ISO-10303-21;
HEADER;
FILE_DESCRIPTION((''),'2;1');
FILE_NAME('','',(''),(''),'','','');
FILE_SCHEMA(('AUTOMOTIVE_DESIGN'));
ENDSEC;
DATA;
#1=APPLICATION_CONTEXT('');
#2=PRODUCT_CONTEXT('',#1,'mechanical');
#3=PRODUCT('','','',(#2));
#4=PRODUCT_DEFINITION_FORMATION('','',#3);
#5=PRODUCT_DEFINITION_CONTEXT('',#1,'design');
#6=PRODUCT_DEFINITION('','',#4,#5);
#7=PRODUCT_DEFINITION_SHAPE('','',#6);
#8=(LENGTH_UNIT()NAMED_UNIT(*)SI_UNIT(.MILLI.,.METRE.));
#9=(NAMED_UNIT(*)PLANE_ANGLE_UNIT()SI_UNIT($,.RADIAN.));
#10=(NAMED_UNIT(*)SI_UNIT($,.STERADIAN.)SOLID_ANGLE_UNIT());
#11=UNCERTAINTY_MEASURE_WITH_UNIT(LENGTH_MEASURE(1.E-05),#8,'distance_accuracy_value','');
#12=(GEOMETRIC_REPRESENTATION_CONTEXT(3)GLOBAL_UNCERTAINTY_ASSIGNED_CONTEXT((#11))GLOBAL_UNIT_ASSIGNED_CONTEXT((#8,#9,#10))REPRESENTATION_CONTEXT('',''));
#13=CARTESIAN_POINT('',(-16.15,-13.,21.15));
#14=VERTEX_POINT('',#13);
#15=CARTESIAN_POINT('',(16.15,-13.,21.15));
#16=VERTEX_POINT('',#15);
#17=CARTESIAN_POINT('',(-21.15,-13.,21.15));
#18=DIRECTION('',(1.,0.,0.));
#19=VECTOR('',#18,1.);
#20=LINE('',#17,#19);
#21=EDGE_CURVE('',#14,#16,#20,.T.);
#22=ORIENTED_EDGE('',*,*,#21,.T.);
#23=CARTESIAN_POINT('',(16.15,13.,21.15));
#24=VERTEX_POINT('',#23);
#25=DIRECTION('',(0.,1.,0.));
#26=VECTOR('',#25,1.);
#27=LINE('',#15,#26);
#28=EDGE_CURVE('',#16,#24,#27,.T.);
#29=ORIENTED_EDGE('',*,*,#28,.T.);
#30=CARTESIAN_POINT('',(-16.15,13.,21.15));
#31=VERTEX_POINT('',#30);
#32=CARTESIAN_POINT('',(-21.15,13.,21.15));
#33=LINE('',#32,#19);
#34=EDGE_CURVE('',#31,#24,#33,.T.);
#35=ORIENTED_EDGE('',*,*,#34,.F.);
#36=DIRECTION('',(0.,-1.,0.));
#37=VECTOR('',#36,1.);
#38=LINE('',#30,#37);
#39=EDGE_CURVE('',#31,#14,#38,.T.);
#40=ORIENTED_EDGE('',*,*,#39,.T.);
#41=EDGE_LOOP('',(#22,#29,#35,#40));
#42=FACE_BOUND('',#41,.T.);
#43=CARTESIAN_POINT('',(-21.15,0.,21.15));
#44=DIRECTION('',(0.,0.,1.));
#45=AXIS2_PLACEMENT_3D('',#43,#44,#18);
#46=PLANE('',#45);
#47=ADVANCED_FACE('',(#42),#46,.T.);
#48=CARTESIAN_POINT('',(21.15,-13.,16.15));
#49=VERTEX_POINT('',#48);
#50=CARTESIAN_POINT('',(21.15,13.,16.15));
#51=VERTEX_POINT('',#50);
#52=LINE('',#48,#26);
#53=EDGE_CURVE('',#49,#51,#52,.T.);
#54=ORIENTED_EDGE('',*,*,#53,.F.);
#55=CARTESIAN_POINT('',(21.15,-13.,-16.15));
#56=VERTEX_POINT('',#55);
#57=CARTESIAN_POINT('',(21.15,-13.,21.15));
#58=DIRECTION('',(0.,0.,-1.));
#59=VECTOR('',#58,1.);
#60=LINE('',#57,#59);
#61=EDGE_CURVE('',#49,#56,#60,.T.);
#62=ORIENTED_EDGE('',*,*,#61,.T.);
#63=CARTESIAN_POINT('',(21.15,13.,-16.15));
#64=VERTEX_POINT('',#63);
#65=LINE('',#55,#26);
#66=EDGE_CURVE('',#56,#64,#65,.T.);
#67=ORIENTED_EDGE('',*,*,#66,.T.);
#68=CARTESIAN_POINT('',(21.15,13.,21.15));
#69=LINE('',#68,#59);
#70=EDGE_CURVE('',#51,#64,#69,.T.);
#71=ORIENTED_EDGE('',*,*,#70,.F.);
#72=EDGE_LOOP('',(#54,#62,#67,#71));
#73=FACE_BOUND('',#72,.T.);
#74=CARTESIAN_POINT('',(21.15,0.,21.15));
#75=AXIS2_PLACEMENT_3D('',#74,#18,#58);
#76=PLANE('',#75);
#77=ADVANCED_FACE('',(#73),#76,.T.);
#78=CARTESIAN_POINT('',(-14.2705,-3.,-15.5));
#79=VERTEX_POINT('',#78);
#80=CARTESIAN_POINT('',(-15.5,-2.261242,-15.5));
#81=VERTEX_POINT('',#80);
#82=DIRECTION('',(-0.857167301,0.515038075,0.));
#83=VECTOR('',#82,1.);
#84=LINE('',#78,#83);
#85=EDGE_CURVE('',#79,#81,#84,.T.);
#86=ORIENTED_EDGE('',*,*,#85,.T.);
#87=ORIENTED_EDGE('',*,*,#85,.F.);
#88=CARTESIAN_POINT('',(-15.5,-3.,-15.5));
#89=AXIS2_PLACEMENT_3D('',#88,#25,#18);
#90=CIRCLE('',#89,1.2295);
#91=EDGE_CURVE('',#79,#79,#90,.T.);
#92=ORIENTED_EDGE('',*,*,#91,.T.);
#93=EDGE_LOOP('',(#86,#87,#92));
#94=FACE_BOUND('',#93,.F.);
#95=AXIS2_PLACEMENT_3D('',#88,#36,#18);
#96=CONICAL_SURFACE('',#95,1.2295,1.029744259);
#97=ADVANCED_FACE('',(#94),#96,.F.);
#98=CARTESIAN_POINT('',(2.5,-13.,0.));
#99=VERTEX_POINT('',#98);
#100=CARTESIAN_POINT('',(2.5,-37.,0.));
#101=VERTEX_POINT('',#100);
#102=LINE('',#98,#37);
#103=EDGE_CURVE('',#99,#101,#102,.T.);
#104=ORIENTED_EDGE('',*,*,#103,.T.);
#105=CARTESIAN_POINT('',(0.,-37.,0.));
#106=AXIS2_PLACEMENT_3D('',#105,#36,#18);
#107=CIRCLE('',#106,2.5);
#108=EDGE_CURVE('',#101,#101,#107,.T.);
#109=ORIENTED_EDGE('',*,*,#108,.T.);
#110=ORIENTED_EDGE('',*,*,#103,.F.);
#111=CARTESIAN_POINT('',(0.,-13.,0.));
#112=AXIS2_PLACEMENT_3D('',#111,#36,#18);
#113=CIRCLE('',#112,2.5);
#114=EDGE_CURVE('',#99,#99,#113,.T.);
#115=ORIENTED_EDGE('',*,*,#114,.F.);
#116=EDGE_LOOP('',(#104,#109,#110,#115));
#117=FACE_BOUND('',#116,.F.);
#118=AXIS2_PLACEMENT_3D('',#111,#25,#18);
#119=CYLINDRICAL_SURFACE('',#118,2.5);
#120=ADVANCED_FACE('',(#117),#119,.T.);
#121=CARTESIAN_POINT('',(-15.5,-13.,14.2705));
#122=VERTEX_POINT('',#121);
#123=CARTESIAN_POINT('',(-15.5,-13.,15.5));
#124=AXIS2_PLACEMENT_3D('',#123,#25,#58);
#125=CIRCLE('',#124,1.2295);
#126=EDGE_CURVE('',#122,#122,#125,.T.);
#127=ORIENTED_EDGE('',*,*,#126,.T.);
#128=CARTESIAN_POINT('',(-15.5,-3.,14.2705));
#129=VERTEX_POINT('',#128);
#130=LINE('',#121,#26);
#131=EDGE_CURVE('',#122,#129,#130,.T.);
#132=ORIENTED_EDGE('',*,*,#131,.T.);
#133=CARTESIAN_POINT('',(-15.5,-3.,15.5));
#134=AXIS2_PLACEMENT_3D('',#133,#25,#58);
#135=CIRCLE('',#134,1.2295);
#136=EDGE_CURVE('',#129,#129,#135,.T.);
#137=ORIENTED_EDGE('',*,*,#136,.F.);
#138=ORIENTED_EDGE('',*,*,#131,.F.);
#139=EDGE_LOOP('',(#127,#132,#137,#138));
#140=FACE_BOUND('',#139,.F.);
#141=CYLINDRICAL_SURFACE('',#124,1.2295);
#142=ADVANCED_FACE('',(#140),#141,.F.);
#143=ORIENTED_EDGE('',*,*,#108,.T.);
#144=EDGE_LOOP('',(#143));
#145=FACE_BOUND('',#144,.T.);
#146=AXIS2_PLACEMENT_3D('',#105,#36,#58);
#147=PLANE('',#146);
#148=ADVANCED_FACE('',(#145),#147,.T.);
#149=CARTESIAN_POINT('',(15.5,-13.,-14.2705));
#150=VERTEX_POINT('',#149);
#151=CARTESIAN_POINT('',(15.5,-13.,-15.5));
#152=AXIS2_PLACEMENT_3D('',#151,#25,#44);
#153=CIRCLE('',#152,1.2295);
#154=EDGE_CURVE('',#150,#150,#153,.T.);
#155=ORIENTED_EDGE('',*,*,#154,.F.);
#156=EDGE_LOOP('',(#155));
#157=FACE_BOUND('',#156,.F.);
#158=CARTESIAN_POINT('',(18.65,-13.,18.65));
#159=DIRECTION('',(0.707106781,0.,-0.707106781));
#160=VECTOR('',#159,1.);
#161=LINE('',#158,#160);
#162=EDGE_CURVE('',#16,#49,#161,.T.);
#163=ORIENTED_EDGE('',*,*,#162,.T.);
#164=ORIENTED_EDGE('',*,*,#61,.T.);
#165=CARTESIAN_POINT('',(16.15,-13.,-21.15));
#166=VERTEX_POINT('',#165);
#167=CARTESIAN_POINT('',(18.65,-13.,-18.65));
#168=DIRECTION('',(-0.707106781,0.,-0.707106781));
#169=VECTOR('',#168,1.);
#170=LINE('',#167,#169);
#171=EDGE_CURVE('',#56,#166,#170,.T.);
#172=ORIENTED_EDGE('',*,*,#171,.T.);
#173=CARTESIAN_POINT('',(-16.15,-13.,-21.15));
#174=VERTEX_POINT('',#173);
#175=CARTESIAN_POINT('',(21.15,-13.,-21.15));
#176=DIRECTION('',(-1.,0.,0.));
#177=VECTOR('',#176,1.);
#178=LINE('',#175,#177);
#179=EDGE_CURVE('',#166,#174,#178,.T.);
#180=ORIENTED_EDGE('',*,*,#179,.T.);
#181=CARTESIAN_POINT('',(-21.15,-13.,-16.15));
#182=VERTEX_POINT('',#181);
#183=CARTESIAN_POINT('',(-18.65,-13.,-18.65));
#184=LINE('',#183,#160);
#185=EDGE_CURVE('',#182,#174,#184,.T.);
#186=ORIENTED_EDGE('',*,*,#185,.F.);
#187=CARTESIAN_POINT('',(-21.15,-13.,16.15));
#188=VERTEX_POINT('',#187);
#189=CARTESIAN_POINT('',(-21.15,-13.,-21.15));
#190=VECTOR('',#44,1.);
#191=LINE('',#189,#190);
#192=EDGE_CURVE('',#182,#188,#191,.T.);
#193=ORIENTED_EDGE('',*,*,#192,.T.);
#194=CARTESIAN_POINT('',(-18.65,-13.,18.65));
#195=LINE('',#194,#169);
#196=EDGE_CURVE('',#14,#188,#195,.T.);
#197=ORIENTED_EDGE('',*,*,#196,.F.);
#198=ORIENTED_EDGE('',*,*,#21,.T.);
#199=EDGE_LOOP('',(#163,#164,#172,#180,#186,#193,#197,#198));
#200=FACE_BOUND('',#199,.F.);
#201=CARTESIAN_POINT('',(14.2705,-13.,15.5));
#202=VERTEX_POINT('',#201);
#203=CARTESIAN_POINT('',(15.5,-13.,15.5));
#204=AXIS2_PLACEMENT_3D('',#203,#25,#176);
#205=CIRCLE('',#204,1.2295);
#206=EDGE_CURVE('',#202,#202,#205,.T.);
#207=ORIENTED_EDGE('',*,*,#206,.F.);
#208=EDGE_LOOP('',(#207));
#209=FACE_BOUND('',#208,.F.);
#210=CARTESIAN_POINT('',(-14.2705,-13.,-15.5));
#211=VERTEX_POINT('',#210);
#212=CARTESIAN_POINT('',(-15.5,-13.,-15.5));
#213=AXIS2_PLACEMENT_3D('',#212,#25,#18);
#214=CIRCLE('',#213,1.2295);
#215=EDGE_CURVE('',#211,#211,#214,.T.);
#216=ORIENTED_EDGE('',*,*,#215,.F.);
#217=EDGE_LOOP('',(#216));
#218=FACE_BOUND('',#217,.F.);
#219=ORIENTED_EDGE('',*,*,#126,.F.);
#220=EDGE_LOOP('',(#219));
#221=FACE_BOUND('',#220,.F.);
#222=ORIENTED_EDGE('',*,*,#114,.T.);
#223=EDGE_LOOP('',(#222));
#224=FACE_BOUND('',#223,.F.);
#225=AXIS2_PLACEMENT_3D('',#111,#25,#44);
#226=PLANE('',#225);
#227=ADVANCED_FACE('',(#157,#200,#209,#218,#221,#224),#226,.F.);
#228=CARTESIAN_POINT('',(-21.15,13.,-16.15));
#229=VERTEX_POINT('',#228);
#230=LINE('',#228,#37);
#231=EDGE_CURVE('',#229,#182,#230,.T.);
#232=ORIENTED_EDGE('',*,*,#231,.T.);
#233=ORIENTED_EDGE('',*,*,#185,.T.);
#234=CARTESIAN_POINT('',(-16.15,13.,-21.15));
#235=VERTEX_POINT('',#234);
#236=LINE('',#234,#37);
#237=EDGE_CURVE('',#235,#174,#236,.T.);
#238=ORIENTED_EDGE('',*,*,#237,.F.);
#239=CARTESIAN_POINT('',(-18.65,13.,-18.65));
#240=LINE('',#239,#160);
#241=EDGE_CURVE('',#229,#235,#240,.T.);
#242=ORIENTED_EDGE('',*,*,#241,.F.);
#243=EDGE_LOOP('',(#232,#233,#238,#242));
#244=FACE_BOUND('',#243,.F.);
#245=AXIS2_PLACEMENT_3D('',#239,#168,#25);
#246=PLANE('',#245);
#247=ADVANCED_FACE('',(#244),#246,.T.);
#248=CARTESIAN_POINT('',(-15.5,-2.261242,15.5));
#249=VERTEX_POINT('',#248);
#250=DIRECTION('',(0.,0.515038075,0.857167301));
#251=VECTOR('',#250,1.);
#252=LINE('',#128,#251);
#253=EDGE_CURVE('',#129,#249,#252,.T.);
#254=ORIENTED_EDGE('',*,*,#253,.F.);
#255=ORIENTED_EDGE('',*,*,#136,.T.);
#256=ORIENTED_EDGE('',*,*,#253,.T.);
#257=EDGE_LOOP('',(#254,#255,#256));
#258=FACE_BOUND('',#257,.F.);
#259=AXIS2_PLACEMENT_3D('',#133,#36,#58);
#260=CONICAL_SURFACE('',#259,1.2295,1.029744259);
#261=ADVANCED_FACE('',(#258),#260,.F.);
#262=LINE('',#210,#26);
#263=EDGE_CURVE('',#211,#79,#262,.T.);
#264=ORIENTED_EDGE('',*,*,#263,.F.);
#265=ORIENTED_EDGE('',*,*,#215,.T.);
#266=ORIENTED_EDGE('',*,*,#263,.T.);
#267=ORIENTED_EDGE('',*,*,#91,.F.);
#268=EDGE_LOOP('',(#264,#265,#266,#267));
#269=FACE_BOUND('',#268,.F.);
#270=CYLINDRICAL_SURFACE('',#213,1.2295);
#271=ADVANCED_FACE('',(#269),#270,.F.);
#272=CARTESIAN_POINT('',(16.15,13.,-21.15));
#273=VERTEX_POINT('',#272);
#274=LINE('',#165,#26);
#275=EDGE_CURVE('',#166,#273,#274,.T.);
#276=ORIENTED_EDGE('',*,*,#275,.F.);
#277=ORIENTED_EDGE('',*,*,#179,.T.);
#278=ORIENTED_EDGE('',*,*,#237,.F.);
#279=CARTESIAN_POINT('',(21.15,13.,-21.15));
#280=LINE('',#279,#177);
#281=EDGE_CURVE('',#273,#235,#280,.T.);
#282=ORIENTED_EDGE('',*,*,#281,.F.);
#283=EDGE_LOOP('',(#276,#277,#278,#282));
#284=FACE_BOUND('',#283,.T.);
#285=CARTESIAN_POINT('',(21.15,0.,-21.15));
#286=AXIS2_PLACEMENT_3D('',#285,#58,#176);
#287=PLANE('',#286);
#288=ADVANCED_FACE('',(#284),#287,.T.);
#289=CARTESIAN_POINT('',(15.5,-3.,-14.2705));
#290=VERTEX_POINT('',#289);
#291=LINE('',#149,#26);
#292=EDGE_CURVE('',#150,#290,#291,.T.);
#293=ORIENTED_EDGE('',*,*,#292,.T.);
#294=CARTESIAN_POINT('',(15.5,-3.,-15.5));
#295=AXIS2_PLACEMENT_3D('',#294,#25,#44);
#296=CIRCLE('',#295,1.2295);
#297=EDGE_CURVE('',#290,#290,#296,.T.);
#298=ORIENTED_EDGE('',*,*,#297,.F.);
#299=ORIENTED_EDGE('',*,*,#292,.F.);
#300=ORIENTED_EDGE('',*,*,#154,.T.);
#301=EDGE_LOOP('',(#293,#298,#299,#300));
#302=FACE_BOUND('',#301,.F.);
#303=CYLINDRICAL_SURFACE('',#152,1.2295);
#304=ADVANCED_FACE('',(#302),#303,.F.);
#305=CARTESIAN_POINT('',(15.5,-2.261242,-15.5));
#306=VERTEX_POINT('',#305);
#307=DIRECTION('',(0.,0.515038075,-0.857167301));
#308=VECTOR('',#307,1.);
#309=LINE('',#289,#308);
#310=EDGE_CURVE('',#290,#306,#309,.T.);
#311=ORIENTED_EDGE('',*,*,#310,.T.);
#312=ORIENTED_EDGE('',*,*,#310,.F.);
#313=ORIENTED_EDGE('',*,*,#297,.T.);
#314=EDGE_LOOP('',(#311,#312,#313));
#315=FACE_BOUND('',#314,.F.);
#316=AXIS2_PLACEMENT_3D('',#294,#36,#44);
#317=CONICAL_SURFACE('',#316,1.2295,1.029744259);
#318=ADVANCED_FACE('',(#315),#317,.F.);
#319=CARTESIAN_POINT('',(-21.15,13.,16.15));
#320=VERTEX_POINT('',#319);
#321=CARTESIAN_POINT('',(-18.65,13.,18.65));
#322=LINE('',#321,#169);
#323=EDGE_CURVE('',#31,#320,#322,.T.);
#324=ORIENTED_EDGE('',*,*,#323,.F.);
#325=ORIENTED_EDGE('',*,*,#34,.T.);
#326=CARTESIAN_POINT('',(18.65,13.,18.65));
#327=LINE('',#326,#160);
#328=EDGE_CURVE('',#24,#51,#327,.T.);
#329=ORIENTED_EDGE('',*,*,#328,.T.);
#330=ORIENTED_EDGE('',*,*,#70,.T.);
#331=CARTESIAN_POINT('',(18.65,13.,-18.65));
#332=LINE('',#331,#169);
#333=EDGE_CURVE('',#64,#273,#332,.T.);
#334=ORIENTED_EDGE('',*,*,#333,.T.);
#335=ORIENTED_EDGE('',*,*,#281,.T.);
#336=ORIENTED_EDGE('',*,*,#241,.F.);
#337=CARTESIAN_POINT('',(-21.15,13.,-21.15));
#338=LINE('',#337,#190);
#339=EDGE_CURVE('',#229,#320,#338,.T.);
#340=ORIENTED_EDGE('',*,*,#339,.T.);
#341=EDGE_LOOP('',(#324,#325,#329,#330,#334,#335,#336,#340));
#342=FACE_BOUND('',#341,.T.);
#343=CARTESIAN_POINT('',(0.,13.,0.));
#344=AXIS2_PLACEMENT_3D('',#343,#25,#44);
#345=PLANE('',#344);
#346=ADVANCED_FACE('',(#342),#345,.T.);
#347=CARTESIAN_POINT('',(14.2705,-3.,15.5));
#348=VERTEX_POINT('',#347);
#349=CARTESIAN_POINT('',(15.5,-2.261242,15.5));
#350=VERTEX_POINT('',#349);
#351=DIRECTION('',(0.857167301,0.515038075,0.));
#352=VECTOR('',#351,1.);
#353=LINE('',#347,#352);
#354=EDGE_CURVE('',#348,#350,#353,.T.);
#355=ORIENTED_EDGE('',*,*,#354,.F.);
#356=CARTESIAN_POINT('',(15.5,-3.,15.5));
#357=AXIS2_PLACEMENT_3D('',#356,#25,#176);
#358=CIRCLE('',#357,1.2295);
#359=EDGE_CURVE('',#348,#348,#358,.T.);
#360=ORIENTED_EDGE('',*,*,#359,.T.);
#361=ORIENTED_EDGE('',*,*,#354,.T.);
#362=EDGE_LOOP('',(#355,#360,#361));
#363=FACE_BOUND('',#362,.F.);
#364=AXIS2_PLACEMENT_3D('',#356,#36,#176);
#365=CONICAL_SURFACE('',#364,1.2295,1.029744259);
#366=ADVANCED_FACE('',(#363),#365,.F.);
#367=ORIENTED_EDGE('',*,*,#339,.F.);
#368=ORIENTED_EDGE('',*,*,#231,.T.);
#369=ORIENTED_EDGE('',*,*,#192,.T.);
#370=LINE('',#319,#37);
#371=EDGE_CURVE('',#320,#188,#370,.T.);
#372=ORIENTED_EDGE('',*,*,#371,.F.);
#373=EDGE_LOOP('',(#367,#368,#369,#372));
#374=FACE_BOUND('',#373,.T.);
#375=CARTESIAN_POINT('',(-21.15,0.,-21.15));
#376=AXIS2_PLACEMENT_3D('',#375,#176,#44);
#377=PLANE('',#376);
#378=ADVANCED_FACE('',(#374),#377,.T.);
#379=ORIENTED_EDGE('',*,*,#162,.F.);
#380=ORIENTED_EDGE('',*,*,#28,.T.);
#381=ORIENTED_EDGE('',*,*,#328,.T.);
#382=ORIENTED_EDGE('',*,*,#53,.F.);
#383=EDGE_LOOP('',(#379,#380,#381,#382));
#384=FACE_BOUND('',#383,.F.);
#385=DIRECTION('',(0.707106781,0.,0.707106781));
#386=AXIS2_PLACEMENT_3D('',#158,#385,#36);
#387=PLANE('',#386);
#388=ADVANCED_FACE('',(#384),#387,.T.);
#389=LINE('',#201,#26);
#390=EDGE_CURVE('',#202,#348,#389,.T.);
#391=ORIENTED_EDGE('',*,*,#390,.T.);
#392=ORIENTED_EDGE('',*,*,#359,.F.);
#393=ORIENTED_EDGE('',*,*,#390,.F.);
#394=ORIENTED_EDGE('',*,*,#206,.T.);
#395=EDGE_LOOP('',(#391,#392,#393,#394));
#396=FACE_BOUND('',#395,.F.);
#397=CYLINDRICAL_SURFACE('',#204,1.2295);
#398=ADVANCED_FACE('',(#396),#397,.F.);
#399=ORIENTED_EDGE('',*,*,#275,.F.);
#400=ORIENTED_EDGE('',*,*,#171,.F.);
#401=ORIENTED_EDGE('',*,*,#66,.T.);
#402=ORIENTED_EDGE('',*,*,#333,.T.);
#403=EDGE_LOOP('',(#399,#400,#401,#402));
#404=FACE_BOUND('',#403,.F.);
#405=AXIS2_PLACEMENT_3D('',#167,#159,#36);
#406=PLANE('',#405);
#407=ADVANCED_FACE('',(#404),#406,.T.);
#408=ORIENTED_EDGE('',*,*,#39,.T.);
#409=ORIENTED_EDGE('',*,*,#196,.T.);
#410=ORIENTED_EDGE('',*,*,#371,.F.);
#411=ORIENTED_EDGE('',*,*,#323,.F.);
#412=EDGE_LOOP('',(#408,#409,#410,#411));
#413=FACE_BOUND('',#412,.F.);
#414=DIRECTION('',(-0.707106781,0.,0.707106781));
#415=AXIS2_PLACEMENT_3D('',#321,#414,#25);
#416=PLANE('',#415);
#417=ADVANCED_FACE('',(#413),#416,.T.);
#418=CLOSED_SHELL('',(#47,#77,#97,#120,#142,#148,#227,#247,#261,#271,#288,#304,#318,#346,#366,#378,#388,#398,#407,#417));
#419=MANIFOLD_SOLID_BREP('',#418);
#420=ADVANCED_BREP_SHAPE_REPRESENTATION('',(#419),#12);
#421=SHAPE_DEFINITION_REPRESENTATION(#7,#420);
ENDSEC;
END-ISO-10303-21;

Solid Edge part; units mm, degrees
sketch "Sketch1" plane through (0, 0, 0) normal (0, -1, 0) x (1, 0, 0)
  line L0 (-21.15, 21.15) -> (21.15, 21.15)
  line L1 (21.15, 21.15) -> (21.15, -21.15)
  line L2 (21.15, -21.15) -> (-21.15, -21.15)
  line L3 (-21.15, -21.15) -> (-21.15, 21.15)
  dimension "D1" = 42.3
  dimension "D2" = 42.3
extrude "Protrusion1" add sketch "Sketch1" along normal mid plane 26
sketch "Sketch2" plane through (0, -13, 0) normal (0, -1, 0) x (1, 0, 0)
  circle A0 centre (0, 0) radius 2.5
  dimension "D1" = 5
extrude "Extrusionsausprägung_2" add sketch "Sketch2" along normal blind 24
hole "Bohrung_1" at (-15.5, -13, 15.5) direction (0, 1, 0) diameter 2.459 depth 10 tip angle 118 thread major 3 thread length 8
pattern_circular "Pattern1" count 4 over 360 about axis through (0, -13, 0) along (0, 1, 0) of "Bohrung_1"
chamfer "Fase_1" distance 5 angle 45 4 edges at (21.15, 0, 21.15) (-21.15, 0, 21.15) (21.15, 0, -21.15) (-21.15, 0, -21.15)
